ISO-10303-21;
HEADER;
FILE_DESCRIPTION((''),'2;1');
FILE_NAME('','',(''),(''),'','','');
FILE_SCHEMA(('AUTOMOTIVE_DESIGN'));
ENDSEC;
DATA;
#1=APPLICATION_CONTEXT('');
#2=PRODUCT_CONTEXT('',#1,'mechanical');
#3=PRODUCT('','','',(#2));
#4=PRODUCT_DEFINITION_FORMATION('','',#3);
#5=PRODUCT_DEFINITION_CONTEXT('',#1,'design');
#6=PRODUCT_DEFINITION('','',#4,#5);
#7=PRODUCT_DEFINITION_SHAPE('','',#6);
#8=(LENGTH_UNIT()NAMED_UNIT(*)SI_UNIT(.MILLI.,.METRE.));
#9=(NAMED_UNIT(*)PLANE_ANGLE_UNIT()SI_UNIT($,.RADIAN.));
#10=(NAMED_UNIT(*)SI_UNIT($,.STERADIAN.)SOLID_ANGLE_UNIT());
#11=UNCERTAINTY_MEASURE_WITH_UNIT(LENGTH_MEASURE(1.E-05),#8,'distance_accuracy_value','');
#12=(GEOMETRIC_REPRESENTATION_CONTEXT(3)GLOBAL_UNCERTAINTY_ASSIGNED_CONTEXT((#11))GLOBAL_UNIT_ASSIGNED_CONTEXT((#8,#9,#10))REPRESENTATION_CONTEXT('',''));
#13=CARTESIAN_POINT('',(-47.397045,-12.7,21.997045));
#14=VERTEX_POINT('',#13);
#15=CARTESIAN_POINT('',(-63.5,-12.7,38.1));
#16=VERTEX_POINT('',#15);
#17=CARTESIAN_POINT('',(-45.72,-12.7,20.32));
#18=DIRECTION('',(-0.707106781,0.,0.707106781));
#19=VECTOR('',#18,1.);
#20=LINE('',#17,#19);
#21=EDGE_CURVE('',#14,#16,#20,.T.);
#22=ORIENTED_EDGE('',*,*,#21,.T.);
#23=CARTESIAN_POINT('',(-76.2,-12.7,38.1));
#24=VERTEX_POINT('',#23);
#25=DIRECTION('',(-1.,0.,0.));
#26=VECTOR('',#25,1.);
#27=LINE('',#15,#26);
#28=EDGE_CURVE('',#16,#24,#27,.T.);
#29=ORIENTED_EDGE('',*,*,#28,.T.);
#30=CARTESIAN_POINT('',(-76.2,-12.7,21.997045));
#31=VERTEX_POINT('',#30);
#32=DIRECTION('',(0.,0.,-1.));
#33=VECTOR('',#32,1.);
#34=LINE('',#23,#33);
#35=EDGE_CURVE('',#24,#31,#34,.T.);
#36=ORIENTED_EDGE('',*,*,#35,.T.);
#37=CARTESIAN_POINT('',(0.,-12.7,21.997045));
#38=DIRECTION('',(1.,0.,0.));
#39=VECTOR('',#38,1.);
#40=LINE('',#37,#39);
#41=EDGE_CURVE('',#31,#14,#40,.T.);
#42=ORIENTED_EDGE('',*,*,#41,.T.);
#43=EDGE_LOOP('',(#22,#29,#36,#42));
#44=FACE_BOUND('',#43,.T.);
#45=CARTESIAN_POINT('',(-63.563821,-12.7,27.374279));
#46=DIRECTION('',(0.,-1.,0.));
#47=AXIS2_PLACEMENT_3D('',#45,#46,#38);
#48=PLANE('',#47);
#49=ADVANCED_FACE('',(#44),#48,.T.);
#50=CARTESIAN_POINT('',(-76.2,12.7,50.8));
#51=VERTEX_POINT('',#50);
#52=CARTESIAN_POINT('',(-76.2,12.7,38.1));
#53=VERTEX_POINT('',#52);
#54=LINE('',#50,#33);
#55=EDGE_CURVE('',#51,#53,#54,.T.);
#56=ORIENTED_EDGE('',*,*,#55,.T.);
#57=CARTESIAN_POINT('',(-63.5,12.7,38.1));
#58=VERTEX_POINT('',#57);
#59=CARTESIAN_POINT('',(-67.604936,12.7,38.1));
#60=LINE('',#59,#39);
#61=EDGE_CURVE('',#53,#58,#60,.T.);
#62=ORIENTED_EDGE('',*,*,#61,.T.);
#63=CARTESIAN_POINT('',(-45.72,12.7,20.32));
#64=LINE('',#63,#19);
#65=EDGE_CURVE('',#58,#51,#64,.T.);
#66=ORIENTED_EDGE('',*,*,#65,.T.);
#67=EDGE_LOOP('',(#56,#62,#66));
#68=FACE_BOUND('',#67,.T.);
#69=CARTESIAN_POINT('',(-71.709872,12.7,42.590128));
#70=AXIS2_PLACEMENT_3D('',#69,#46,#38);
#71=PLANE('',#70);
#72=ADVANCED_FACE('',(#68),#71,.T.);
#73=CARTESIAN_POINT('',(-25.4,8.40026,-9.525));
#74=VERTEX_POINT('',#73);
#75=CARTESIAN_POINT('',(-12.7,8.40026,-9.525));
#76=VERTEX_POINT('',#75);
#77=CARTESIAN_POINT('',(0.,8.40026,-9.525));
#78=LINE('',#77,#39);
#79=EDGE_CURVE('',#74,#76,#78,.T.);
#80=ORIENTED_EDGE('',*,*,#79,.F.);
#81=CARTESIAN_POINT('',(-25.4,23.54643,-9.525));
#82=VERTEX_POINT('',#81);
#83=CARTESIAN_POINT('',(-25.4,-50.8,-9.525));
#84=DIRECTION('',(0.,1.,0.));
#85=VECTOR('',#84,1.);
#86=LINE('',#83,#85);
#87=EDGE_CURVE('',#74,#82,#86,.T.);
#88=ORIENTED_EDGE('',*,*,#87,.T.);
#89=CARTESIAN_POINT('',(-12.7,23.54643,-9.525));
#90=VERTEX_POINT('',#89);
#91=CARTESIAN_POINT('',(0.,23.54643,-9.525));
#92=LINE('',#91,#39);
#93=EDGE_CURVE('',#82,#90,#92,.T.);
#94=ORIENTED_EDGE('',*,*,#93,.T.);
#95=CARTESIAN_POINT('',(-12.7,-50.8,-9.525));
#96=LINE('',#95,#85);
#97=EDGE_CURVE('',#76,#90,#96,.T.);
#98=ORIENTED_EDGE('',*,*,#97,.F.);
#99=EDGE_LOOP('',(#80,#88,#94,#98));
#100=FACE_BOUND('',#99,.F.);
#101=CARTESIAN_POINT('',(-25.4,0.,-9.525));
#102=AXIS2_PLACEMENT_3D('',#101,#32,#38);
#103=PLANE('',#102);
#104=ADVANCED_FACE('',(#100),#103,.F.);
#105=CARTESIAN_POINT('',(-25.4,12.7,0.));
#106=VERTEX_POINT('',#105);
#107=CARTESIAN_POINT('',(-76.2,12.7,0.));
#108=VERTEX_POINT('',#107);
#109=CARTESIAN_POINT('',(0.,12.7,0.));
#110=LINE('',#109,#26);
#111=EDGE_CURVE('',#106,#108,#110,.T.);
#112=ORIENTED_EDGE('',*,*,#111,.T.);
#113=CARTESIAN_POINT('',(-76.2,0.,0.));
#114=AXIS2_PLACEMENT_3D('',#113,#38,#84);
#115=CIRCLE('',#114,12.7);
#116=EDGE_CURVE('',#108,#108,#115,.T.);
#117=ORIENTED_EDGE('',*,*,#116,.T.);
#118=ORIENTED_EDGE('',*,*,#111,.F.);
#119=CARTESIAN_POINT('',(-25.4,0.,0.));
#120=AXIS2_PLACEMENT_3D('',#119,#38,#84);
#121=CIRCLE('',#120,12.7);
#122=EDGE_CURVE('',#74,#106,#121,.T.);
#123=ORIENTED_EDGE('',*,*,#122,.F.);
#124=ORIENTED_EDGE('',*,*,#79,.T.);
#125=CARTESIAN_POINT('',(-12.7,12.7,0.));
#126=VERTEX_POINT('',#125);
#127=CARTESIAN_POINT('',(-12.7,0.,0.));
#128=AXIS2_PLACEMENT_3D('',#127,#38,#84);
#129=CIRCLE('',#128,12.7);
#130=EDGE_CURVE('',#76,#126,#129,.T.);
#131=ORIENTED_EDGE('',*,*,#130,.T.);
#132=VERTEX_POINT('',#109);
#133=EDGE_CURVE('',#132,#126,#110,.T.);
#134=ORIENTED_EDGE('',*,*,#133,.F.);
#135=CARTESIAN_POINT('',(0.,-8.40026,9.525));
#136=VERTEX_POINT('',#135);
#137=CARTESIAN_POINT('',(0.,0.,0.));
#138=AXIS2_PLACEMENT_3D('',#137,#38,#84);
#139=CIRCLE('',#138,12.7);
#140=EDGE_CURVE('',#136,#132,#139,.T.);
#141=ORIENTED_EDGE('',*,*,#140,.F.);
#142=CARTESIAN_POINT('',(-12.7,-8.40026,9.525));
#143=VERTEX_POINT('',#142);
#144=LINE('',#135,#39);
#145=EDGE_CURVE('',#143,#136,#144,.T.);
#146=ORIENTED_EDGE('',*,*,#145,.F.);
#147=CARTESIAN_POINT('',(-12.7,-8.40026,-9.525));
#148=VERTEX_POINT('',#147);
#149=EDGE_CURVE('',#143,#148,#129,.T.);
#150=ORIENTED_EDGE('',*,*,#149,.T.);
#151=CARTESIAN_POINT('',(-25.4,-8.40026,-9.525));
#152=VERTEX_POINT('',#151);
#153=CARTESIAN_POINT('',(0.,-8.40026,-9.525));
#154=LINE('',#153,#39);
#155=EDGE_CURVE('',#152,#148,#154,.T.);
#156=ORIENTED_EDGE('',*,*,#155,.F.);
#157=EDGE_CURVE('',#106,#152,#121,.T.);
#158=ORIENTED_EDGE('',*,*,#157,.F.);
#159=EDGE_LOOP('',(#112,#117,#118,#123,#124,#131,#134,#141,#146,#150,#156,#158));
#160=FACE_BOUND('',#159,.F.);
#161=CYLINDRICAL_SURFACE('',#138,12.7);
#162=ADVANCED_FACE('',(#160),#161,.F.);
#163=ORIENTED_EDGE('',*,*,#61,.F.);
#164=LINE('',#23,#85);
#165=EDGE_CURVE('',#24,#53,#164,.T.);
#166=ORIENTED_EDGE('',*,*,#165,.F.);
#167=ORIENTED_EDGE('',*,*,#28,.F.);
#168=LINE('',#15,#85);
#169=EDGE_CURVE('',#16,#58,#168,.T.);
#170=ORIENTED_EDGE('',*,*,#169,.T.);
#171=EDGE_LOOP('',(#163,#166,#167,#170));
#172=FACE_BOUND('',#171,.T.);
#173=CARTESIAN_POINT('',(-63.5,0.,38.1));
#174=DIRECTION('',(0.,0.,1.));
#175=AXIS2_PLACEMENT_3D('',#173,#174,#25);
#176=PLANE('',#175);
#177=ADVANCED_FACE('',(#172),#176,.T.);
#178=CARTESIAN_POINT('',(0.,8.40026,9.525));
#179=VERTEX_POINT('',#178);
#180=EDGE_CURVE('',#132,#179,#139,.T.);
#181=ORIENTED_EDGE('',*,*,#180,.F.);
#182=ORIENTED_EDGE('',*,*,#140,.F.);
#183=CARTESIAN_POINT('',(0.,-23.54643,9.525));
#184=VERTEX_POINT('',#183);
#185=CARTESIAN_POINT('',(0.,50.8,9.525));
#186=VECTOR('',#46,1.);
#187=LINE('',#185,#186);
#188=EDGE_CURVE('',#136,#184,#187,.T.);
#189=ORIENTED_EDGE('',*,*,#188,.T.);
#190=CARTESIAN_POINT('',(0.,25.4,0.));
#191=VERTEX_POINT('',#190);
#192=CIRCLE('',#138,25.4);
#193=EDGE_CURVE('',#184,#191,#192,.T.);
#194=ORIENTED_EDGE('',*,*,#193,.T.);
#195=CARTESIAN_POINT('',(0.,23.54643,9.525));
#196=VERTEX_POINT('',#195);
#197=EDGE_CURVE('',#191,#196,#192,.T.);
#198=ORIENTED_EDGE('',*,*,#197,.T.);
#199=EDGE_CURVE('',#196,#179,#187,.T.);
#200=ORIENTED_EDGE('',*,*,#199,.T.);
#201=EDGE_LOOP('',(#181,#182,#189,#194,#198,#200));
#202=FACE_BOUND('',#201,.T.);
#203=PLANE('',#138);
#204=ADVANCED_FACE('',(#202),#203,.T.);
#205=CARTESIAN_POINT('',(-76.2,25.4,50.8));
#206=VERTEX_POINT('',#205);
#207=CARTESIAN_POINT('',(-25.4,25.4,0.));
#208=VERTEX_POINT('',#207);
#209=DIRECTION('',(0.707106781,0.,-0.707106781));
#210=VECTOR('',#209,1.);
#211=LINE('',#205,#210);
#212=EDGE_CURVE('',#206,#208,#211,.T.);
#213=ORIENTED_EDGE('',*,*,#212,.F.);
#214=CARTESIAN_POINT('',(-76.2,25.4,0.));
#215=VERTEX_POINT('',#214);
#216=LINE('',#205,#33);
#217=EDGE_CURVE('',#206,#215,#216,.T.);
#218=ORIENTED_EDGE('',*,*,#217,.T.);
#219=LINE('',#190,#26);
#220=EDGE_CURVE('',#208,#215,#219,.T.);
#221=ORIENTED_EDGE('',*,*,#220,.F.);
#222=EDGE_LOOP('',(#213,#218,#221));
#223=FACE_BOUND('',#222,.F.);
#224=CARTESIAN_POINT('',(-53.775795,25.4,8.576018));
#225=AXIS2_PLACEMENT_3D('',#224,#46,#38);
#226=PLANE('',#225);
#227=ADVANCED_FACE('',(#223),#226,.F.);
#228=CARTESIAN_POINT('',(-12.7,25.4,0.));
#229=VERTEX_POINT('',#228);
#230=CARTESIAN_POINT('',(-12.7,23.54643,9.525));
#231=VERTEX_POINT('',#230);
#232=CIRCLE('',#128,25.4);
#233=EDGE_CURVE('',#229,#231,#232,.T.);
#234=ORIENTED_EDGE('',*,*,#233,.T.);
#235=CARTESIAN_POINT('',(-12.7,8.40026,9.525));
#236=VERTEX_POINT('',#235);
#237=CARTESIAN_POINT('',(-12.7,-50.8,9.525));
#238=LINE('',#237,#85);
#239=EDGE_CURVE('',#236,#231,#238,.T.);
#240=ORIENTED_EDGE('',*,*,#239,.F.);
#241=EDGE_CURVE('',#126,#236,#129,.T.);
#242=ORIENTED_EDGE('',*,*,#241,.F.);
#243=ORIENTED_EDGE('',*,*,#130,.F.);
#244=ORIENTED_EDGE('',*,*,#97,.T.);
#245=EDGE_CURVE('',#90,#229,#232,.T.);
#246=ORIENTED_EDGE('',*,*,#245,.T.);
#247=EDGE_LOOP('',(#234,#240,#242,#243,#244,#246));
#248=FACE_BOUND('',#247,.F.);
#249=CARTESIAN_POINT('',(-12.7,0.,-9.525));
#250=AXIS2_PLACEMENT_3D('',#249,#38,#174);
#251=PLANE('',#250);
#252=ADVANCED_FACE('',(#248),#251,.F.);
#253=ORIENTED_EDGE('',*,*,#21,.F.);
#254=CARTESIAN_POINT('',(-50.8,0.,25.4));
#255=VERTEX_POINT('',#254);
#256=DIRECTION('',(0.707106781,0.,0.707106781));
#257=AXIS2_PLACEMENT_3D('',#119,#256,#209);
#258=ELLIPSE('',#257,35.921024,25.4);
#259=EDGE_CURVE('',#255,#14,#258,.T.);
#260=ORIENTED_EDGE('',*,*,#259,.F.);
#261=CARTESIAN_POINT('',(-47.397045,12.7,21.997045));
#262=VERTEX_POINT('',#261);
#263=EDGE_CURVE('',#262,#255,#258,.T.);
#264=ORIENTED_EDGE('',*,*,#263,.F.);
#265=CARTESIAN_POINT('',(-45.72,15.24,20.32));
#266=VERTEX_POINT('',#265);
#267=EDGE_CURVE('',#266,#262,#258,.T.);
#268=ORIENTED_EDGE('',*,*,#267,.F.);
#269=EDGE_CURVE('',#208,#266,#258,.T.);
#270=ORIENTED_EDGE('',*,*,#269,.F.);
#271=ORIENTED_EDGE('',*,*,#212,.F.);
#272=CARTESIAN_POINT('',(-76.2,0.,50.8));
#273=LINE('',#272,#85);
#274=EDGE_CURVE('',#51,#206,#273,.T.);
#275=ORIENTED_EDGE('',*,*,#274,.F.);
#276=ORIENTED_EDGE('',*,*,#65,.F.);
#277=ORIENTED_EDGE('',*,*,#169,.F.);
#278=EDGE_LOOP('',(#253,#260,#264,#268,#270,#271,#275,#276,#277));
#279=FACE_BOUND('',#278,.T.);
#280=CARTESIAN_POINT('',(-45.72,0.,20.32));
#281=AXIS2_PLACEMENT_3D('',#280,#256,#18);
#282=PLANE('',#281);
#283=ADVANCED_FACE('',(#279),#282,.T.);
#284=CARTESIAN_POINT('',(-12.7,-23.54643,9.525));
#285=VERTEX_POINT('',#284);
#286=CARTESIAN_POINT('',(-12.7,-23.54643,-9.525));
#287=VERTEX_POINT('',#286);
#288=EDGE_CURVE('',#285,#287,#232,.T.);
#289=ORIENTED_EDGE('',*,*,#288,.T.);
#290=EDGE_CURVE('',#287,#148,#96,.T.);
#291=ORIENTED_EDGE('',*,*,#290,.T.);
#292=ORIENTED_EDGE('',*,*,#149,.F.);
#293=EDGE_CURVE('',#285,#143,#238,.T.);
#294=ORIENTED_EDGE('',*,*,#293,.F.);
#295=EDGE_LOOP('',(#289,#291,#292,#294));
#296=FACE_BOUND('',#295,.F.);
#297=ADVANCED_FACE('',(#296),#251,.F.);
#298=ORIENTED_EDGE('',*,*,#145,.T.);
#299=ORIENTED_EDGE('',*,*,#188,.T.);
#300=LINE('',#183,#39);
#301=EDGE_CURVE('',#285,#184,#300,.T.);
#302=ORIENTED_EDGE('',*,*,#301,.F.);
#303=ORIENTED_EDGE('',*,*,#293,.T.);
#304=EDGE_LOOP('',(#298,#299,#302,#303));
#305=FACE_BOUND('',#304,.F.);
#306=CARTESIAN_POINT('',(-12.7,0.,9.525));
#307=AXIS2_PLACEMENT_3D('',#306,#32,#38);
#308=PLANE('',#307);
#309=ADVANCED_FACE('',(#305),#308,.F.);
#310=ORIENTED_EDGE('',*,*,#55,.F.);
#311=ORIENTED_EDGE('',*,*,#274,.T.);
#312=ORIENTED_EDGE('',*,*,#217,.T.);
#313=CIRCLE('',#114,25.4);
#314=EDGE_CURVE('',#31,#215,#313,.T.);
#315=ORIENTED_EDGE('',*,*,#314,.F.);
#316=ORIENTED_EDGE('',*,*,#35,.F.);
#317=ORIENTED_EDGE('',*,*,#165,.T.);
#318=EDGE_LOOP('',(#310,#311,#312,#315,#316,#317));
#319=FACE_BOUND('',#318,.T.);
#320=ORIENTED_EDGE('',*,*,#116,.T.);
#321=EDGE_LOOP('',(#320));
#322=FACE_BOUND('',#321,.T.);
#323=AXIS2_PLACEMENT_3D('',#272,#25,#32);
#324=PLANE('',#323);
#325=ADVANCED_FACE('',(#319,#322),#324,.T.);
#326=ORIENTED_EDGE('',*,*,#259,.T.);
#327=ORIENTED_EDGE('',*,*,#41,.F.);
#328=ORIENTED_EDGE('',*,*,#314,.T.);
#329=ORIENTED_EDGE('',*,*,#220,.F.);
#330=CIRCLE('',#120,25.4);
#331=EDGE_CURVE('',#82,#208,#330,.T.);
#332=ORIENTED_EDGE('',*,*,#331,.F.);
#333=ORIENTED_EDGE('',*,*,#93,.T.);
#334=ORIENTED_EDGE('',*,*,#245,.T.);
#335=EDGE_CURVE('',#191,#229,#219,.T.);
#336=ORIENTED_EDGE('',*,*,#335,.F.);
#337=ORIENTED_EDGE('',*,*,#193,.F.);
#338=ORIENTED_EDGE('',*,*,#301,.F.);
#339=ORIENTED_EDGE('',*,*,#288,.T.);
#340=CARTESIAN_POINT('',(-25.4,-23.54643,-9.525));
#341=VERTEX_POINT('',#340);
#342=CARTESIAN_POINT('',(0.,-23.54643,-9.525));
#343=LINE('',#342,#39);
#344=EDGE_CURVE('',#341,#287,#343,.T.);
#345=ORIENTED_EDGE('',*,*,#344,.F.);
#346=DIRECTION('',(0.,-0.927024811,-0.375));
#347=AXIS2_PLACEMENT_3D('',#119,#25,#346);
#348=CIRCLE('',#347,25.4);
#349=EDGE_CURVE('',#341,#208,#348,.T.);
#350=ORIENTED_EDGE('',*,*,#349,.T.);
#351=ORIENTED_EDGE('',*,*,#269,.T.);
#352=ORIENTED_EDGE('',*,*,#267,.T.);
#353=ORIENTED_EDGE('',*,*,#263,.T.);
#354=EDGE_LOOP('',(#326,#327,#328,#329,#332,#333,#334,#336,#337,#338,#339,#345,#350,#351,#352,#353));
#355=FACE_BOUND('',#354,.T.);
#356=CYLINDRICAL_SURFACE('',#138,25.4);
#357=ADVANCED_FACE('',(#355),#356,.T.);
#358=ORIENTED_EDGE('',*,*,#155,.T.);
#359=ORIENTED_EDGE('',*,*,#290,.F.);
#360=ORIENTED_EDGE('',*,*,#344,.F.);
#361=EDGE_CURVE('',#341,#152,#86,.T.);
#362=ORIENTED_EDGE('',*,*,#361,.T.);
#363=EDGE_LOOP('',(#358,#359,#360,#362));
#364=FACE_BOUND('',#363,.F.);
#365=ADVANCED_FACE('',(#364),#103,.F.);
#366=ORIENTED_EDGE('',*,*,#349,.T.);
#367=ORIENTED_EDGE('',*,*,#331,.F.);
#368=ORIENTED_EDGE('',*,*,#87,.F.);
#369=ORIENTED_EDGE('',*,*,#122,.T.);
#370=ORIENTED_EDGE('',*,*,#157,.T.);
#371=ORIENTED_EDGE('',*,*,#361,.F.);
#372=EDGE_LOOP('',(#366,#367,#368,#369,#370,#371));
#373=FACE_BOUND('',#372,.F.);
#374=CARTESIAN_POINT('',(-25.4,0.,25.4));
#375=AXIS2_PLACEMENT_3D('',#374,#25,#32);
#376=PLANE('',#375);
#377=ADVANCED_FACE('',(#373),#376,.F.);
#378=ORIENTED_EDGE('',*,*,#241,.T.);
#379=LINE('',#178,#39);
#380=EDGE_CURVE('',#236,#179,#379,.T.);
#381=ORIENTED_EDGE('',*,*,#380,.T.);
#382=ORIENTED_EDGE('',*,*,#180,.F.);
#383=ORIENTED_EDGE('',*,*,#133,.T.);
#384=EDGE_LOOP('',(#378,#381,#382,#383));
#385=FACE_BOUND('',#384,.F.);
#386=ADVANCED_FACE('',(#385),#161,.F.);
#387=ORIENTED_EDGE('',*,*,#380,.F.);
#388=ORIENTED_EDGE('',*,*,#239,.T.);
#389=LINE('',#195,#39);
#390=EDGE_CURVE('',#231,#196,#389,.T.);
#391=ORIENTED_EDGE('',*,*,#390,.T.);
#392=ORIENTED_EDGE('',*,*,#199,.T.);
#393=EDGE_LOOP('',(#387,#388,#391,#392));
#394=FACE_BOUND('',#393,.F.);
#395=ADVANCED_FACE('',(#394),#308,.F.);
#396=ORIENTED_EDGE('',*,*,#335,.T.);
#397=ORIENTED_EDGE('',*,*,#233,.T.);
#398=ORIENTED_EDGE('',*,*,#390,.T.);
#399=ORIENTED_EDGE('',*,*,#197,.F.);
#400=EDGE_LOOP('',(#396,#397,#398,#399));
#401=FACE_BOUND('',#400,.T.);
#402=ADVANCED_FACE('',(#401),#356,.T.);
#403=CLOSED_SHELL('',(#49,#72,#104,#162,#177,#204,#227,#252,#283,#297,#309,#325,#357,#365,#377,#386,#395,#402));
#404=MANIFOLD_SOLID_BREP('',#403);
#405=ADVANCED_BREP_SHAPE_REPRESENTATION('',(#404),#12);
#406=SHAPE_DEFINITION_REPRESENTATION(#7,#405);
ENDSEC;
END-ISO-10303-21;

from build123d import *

# Parameters (mm, degrees)
F0_R     = 12.7
F1_DEPTH = 76.2
F3_DEPTH = 50.8
F4_DEPTH = 12.7
F5_DEPTH = 25.4
F6_DEPTH = 12.7
F7_DEPTH = 25.4
F8_DEPTH = 76.2


with BuildPart() as f1:
    # F0 (on Right) → F1 (new body)
    with BuildSketch(Plane.YZ):
        with BuildLine():
            ThreePointArc((-12.7, 21.9970452561), (-12.7, -21.9970452561), (25.4, 0))
            ThreePointArc((25.4, 0), (12.7, 21.9970452561), (-12.7, 21.9970452561))
        make_face()
        Circle(F0_R, mode=Mode.SUBTRACT)
    extrude(amount=-F1_DEPTH)

    # F2 (on Front) → F3 (cut, symmetric)
    with BuildSketch(Plane.XZ):
        Polygon((-12.7, 9.525), (0, 9.525), (0, 25.4), (0, 50.8), (-76.2, 50.8), (-63.5, 38.1), (-50.8, 25.4), (-25.4, 25.4), (-25.4, 0), (-25.4, -9.525), (-12.7, -9.525), align=None)
    extrude(amount=F3_DEPTH, both=True, mode=Mode.SUBTRACT)

    # F2 (on Front) → F4 (join, symmetric)
    with BuildSketch(Plane.XZ):
        Polygon((-76.2, 38.1), (-76.2, 20.32), (-45.72, 20.32), (-50.8, 25.4), (-63.5, 38.1), align=None)
    extrude(amount=F4_DEPTH, both=True)

    # F2 (on Front) → F5 (join)
    with BuildSketch(Plane.XZ):
        Polygon((-76.2, 50.8), (-76.2, 38.1), (-63.5, 38.1), align=None)
        Polygon((-76.2, 38.1), (-76.2, 20.32), (-45.72, 20.32), (-50.8, 25.4), (-63.5, 38.1), align=None)
    extrude(amount=-F5_DEPTH)

    # F6 (cut): a face of the model
    f6_faces = [f1.faces().sort_by_distance(p)[0] for p in [
        (-71.9666666667, 0, 42.3333333333),
    ]]
    extrude(f6_faces, amount=-F6_DEPTH, mode=Mode.SUBTRACT)

    # F2 (on Front) → F7 (join, through all)
    with BuildSketch(Plane.XZ):
        Polygon((-76.2, 20.32), (-76.2, 0), (-25.4, 0), (-45.72, 20.32), align=None)
    extrude(amount=-F7_DEPTH)

    # F0 (on Right) → F8 (cut, through all)
    with BuildSketch(Plane.YZ):
        Circle(F0_R)
    extrude(amount=-F8_DEPTH, mode=Mode.SUBTRACT)


solid = f1.part
